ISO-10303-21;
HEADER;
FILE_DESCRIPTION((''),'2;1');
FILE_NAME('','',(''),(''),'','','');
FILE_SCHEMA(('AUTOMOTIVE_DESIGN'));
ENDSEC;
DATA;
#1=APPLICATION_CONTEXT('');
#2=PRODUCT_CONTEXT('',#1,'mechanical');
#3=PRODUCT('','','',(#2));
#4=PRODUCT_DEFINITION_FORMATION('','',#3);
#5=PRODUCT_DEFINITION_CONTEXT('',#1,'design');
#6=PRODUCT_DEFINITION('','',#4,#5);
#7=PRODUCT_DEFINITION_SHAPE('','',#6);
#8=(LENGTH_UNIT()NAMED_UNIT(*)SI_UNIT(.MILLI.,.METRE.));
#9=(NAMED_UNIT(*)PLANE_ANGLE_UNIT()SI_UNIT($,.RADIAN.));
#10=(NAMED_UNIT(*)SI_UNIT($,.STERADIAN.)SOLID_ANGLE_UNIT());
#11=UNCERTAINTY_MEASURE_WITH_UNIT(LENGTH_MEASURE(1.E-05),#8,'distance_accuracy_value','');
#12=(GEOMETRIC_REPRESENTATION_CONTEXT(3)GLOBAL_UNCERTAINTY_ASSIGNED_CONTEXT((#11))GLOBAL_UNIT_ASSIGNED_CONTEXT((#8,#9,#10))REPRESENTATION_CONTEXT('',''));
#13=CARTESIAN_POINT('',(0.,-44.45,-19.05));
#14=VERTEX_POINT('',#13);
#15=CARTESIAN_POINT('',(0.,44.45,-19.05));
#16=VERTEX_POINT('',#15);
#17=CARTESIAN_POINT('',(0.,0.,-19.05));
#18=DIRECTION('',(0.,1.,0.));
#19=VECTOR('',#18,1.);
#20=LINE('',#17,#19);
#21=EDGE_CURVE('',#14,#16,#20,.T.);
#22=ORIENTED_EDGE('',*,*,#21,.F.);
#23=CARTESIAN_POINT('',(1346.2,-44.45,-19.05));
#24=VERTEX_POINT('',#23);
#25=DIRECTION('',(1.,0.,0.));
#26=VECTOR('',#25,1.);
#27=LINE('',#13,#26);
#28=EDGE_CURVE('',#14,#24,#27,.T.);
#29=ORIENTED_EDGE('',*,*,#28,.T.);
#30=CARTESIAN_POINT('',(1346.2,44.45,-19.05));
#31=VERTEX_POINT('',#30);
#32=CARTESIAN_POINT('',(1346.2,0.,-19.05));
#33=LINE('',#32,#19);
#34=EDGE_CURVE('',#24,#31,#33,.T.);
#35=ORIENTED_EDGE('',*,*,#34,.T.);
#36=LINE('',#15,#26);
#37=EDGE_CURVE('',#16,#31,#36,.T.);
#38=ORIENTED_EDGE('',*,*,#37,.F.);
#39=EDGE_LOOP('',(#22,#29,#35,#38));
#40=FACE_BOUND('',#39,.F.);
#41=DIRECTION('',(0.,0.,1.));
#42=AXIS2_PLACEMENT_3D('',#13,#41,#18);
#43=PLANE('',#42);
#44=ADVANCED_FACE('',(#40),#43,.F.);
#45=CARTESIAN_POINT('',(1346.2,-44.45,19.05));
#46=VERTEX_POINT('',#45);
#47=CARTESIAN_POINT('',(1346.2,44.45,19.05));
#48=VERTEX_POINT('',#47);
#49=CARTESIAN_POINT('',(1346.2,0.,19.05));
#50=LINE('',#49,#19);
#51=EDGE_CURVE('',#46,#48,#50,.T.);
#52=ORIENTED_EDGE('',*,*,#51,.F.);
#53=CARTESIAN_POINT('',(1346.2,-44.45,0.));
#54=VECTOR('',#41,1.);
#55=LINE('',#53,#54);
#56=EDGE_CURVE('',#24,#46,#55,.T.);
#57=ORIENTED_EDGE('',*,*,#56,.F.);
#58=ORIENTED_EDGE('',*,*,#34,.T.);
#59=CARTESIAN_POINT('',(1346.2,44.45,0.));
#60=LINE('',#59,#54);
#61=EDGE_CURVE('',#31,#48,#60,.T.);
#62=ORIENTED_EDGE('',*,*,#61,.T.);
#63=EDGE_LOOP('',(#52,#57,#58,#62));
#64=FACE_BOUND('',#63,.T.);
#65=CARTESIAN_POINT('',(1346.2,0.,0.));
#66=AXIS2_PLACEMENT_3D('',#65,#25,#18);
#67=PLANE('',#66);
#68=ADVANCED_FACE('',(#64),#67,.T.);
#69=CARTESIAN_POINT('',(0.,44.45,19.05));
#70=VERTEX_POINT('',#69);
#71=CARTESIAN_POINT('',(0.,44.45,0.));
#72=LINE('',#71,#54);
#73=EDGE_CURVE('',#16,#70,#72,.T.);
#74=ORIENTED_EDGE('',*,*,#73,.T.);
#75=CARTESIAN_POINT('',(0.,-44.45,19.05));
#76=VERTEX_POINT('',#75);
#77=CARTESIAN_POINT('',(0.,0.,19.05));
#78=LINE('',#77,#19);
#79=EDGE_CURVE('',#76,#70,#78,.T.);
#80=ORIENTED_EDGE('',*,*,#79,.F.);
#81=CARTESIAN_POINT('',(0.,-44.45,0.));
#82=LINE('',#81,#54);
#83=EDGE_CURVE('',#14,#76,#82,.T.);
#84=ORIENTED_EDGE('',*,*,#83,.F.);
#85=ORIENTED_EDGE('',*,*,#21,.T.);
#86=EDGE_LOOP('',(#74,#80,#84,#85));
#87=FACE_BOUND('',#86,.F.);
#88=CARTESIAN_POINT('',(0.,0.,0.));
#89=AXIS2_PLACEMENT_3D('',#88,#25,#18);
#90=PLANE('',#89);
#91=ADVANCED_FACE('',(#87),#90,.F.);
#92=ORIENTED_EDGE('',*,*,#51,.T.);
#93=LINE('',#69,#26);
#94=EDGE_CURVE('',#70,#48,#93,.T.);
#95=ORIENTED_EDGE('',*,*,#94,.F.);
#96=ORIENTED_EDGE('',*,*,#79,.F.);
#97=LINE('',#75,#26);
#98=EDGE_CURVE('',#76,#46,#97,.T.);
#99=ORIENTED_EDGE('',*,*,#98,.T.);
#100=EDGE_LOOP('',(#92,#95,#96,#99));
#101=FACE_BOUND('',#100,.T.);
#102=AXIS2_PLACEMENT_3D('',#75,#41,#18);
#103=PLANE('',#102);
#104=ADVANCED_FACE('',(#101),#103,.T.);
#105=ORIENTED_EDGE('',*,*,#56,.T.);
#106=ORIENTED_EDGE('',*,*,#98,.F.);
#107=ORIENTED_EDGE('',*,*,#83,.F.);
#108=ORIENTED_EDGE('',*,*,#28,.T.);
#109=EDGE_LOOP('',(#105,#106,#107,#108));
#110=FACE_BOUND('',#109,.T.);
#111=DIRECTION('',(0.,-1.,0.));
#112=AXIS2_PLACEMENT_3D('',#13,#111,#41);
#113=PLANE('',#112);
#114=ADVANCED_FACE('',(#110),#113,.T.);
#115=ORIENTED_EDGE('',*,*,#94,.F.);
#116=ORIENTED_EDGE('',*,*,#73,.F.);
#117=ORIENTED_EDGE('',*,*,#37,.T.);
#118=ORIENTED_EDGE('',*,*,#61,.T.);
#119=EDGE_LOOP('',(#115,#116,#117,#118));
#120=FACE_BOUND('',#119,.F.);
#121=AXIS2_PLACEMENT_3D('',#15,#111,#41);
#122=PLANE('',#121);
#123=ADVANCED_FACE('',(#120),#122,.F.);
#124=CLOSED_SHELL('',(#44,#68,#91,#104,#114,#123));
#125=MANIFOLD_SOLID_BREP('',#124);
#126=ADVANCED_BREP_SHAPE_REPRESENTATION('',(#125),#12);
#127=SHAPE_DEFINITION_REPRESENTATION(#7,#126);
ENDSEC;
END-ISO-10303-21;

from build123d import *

# Parameters (mm, degrees)
F0_W     = 88.9
F0_H     = 38.1
F1_DEPTH = 1346.2


with BuildPart() as f1:
    # F0 (on Right) → F1 (new body)
    with BuildSketch(Plane.YZ):
        Rectangle(F0_W, F0_H)
    extrude(amount=F1_DEPTH)


solid = f1.part
